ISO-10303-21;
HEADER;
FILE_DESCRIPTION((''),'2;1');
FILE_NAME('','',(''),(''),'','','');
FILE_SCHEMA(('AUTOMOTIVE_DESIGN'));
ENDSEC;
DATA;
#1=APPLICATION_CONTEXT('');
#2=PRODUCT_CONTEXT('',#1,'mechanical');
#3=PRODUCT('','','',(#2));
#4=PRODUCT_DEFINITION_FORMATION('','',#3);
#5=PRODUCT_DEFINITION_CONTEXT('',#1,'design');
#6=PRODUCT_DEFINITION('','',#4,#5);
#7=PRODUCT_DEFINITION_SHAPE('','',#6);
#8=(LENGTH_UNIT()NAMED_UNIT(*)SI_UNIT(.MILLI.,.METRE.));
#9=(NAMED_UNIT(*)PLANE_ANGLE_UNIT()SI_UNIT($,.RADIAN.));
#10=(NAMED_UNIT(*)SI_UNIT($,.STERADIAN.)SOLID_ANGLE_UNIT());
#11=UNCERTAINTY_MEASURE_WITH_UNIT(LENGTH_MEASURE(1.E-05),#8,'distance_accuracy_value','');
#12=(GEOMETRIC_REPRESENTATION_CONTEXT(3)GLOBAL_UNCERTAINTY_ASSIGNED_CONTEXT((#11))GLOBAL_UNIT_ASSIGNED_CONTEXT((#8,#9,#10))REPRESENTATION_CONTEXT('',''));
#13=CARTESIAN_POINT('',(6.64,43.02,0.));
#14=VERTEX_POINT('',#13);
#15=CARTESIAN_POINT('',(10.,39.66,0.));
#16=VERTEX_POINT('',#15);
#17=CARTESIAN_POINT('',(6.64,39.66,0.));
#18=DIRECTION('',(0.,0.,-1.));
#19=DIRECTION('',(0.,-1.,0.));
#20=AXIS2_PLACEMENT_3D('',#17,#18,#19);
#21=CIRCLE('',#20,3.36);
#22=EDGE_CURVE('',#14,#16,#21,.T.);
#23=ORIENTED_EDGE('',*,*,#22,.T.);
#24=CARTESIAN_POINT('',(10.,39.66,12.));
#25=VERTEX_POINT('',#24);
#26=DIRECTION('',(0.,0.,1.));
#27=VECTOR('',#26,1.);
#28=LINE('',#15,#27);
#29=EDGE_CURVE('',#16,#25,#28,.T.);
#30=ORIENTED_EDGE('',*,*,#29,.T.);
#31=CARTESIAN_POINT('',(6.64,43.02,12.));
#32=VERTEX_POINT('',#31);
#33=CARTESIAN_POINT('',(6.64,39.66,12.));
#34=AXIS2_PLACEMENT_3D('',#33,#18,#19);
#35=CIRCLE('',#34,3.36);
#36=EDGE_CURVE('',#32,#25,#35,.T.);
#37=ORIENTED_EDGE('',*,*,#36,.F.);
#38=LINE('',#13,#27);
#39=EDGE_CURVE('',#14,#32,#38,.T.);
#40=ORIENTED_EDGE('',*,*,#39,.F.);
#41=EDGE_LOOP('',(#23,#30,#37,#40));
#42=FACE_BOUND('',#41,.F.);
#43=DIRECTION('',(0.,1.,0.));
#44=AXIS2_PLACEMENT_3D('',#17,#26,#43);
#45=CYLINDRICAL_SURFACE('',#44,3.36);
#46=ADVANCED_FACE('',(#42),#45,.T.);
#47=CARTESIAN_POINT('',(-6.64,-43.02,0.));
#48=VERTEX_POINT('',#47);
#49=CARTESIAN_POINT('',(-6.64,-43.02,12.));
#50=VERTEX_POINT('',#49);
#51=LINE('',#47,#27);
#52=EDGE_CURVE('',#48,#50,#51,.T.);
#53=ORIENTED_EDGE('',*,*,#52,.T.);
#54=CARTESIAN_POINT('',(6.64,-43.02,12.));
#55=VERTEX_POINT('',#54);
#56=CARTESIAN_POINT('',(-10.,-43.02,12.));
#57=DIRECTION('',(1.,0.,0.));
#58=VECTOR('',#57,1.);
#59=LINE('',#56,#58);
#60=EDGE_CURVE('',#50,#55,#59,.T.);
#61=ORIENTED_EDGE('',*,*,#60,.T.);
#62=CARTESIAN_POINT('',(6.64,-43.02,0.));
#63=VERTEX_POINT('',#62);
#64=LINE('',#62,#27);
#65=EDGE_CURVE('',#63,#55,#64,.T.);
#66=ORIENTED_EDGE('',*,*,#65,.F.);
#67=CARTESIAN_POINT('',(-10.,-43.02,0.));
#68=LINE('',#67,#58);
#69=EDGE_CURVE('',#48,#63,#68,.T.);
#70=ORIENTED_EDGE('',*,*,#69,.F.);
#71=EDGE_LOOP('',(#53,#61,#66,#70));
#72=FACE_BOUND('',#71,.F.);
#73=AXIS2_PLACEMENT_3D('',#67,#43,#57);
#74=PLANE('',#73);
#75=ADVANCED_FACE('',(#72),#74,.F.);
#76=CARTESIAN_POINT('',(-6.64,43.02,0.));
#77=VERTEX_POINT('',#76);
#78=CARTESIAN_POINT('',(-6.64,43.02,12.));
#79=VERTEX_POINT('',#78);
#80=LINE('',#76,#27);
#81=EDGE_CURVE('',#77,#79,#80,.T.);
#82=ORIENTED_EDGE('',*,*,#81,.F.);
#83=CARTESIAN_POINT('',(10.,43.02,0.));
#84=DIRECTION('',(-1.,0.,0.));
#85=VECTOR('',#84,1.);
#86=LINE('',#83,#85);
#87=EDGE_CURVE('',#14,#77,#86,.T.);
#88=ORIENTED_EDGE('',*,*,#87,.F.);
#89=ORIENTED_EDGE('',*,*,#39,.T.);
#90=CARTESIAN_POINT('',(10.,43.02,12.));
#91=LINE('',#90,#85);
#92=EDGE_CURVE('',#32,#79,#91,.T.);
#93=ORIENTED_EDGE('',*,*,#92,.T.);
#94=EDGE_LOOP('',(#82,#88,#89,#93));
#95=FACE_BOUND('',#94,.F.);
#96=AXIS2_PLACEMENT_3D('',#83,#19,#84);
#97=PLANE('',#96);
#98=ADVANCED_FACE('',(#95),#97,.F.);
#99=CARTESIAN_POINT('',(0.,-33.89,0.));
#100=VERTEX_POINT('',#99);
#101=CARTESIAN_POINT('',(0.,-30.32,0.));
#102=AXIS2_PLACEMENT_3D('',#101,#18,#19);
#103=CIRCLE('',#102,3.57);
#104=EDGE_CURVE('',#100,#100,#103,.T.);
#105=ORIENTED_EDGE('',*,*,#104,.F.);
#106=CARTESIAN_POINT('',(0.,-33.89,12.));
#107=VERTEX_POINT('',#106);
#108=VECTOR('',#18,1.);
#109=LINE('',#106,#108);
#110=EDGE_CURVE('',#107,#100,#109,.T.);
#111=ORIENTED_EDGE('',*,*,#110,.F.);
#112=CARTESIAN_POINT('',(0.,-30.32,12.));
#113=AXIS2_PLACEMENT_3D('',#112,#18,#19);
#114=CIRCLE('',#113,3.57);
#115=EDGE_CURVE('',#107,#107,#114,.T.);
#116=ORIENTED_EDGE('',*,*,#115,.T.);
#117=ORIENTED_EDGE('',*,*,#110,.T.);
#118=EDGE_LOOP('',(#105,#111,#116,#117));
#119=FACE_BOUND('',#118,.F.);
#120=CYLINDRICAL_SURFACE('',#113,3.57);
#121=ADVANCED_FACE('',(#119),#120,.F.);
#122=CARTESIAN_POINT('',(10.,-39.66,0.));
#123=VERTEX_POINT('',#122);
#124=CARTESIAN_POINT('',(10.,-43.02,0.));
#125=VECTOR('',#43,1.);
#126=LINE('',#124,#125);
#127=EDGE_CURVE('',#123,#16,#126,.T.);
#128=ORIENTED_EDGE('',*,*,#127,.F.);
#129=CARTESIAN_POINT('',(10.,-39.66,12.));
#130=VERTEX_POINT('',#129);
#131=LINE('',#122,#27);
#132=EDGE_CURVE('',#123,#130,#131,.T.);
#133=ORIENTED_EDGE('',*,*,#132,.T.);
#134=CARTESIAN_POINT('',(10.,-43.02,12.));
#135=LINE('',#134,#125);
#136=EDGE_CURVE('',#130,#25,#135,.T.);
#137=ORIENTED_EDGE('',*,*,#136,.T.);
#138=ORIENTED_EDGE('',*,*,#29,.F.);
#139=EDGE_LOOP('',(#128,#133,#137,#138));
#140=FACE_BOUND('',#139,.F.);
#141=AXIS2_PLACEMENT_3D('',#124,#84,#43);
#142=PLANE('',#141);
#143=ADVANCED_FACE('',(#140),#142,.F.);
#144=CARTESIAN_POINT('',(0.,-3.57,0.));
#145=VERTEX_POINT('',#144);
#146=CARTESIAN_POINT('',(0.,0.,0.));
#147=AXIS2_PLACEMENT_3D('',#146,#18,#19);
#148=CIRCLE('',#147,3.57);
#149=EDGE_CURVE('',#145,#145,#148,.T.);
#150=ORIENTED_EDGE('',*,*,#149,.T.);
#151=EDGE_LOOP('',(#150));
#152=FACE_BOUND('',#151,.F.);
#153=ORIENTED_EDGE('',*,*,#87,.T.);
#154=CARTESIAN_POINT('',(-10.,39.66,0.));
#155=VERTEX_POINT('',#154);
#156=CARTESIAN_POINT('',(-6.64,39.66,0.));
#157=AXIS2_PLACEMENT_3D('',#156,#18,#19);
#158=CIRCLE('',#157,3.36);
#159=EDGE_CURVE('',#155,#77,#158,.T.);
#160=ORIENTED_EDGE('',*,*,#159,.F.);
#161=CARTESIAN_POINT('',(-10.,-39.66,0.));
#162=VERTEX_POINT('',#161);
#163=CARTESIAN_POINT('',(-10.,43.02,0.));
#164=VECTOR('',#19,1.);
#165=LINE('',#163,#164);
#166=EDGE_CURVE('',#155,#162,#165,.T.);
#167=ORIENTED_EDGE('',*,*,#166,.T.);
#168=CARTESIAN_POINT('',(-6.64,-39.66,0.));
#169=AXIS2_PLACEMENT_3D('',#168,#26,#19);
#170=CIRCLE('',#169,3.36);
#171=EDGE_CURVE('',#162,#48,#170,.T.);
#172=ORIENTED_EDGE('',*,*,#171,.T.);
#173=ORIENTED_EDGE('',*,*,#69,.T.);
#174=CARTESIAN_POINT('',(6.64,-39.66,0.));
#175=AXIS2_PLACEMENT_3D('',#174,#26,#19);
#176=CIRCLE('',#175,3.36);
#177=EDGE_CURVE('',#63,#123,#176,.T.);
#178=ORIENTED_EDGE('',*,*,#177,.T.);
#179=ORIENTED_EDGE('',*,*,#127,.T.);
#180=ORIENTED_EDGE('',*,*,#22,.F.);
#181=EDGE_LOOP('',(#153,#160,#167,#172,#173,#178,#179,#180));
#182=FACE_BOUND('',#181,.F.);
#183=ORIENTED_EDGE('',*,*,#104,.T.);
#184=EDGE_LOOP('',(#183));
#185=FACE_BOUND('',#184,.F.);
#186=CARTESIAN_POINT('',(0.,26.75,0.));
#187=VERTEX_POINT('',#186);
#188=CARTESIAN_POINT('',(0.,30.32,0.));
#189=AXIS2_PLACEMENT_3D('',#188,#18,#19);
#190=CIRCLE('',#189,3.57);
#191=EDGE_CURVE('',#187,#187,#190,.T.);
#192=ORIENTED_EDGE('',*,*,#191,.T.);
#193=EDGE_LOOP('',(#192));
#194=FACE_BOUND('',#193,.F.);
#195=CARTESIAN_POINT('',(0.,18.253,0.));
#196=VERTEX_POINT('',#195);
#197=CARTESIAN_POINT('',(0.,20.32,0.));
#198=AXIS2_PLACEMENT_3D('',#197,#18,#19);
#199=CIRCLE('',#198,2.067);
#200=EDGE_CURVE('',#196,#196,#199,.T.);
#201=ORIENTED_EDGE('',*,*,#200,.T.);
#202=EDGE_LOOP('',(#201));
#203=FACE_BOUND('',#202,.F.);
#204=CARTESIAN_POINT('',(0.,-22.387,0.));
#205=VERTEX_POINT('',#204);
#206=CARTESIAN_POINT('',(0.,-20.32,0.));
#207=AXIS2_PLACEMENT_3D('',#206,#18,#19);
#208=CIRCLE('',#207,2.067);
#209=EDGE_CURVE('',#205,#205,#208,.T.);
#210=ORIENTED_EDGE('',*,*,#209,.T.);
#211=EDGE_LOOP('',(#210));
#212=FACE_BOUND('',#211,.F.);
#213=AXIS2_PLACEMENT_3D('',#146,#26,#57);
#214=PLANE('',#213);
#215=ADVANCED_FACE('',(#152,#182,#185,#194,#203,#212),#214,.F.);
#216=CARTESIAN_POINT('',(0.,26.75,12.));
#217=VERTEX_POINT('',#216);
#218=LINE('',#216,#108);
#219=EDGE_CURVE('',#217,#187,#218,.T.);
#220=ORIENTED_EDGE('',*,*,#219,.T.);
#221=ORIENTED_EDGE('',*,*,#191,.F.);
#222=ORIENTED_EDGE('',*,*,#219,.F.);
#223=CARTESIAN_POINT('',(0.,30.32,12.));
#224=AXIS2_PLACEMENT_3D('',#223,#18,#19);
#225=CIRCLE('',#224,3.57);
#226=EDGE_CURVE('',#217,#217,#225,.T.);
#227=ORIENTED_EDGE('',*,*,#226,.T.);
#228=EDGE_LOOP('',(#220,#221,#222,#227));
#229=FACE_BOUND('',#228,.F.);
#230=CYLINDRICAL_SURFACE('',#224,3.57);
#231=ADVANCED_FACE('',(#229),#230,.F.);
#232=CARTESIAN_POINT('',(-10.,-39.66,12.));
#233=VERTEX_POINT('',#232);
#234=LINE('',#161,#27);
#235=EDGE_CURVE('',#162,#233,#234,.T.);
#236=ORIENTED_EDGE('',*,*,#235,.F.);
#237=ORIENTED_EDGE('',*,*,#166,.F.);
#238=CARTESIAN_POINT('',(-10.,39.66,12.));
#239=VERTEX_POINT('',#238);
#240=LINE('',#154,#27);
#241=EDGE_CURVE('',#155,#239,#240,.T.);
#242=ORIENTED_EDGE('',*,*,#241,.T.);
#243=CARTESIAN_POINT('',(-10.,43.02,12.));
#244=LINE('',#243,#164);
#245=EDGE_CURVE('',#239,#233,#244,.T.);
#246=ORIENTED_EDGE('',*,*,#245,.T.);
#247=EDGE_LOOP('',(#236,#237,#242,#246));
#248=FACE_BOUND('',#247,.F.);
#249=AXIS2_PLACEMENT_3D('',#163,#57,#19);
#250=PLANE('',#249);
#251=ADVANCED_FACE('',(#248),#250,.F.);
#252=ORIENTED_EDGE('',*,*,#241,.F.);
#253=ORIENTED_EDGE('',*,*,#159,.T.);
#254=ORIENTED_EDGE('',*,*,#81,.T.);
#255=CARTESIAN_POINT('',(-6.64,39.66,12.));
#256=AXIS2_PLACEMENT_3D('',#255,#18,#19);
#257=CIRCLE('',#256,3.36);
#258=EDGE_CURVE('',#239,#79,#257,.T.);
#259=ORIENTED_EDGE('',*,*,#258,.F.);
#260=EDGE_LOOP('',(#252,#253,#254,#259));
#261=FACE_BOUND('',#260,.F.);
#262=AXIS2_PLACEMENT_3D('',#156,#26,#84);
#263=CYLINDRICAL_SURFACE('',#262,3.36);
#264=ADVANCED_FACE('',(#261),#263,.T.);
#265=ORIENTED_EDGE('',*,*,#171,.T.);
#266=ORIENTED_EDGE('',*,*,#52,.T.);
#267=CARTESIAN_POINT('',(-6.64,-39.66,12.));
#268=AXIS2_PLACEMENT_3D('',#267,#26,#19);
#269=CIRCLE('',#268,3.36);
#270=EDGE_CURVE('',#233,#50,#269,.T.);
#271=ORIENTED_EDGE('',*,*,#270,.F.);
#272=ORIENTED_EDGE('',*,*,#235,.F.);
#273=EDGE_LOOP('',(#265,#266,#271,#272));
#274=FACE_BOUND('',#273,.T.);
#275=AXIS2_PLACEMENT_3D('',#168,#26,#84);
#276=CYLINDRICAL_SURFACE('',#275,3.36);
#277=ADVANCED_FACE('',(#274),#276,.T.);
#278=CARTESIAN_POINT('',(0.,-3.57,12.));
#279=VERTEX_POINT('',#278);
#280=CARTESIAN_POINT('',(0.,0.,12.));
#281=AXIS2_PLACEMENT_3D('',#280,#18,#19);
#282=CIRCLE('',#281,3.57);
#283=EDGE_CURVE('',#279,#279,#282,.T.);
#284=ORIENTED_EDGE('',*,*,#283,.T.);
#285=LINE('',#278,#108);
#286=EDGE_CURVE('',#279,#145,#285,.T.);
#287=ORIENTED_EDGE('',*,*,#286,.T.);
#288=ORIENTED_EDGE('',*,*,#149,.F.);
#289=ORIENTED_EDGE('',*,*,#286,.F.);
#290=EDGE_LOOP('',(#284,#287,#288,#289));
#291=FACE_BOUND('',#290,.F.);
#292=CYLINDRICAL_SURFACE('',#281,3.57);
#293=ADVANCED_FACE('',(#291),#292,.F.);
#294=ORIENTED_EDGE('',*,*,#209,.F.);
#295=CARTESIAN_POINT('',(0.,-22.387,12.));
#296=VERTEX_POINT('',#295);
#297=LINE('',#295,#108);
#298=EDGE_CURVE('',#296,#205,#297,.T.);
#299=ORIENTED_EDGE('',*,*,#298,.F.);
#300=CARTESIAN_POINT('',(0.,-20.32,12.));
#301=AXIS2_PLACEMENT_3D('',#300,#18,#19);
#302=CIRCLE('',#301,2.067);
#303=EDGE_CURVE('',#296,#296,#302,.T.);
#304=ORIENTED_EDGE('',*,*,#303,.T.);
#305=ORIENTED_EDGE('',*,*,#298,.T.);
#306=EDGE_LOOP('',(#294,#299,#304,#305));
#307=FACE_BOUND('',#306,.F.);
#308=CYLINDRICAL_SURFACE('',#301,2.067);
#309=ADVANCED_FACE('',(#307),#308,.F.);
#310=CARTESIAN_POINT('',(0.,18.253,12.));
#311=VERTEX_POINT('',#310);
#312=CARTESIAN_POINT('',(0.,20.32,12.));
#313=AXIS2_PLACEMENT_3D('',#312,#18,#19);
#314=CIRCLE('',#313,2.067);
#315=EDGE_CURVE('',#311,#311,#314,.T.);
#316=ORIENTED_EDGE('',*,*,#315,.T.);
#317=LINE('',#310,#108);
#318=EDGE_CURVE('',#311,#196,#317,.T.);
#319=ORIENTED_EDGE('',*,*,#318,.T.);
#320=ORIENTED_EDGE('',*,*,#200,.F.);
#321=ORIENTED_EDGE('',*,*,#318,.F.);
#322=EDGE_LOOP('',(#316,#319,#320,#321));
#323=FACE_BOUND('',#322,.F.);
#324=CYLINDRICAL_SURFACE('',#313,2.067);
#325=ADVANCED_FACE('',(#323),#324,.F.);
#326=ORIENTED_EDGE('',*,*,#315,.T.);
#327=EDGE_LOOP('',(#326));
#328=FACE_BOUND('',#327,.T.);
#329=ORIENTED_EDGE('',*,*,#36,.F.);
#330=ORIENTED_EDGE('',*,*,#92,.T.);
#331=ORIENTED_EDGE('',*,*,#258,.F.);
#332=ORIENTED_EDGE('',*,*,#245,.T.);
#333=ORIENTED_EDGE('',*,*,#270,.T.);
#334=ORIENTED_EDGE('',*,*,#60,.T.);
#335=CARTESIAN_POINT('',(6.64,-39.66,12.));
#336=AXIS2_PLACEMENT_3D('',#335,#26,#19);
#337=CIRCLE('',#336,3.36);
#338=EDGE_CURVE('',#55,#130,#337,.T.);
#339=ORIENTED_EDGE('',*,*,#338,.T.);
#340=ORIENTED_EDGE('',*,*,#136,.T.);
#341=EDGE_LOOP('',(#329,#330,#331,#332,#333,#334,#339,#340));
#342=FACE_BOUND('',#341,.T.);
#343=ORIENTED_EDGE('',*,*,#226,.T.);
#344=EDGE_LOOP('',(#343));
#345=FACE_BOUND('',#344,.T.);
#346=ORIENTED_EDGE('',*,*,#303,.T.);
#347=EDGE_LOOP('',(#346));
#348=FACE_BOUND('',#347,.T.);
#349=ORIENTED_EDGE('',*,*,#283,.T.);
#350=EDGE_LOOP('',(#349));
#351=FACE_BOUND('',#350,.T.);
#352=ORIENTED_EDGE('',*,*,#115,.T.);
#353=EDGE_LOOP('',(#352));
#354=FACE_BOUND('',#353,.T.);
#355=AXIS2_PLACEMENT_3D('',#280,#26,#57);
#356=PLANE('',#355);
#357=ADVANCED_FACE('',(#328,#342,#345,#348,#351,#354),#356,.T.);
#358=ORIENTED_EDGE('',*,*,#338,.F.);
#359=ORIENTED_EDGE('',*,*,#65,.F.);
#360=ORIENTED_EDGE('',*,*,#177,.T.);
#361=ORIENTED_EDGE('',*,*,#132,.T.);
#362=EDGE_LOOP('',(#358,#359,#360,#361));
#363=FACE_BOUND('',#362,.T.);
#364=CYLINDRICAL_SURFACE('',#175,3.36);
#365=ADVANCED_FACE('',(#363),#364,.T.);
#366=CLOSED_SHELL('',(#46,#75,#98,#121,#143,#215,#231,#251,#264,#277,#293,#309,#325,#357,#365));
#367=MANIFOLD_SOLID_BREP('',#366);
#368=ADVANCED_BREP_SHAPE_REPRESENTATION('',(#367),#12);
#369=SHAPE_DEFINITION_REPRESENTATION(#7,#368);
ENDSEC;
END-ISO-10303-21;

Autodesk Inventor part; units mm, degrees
ref_plane "YZ Plane" through (0, 0, 0) normal (1, 0, 0) x (0, 1, 0)
ref_plane "XZ Plane" through (0, 0, 0) normal (0, 1, 0) x (-1, 0, 0)
ref_plane "XY Plane" through (0, 0, 0) normal (0, 0, 1) x (1, 0, 0)
sketch "Sketch1" plane through (0, 0, 0) normal (0, 0, 1) x (1, 0, 0)
  line L0 (-10, -43.02) -> (10, -43.02)
  line L1 (10, -43.02) -> (10, 43.02)
  line L2 (10, 43.02) -> (-10, 43.02)
  line L3 (-10, 43.02) -> (-10, -43.02)
  line L4 (-10, -43.02) -> (10, 43.02) construction
  line L5 (10, -43.02) -> (-10, 43.02) construction
  point P0 (0, 0)
  dimension "d0" = 20
  dimension "d1" = 86.04
extrude "Extrusion1" add sketch "Sketch1" along normal blind 12
sketch "Sketch2" plane through (0, 0, 12) normal (0, 0, 1) x (1, 0, 0)
  point P0 (0, 0)
  point P1 (0, 0)
  point P2 (0, 30.32)
  point P3 (0, -30.32)
  dimension "d4" = 30.32
  dimension "d5" = 30.32
hole "Hole1" at (0, 0, 12) at (0, 30.32, 12) at (0, -30.32, 12) direction (0, 0, -1) diameter 7.14 end through all
sketch "Sketch3" plane through (0, 0, 12) normal (0, 0, 1) x (1, 0, 0)
  circle A0 centre (0, 0) radius 3.57 projected
  point P0 (0, 20.32)
  point P1 (0, -20.32)
  dimension "d13" = 20.32
  dimension "d14" = 20.32
hole "Hole2" at (0, 20.32, 12) at (0, -20.32, 12) direction (0, 0, -1) diameter 4.134 end through all thread size "M5x0.8" class "6H" standard "ANSI Metric M Profile"
fillet "Fillet1" radius 3.36 4 edges at (10, 43.02, 6) (-10, 43.02, 6) (10, -43.02, 6) (-10, -43.02, 6)
equation "\"d5\" = d4"
equation "\"d14\" = d13"
properties part number "VSlot Spacer Block" material "Aluminum 6061"
